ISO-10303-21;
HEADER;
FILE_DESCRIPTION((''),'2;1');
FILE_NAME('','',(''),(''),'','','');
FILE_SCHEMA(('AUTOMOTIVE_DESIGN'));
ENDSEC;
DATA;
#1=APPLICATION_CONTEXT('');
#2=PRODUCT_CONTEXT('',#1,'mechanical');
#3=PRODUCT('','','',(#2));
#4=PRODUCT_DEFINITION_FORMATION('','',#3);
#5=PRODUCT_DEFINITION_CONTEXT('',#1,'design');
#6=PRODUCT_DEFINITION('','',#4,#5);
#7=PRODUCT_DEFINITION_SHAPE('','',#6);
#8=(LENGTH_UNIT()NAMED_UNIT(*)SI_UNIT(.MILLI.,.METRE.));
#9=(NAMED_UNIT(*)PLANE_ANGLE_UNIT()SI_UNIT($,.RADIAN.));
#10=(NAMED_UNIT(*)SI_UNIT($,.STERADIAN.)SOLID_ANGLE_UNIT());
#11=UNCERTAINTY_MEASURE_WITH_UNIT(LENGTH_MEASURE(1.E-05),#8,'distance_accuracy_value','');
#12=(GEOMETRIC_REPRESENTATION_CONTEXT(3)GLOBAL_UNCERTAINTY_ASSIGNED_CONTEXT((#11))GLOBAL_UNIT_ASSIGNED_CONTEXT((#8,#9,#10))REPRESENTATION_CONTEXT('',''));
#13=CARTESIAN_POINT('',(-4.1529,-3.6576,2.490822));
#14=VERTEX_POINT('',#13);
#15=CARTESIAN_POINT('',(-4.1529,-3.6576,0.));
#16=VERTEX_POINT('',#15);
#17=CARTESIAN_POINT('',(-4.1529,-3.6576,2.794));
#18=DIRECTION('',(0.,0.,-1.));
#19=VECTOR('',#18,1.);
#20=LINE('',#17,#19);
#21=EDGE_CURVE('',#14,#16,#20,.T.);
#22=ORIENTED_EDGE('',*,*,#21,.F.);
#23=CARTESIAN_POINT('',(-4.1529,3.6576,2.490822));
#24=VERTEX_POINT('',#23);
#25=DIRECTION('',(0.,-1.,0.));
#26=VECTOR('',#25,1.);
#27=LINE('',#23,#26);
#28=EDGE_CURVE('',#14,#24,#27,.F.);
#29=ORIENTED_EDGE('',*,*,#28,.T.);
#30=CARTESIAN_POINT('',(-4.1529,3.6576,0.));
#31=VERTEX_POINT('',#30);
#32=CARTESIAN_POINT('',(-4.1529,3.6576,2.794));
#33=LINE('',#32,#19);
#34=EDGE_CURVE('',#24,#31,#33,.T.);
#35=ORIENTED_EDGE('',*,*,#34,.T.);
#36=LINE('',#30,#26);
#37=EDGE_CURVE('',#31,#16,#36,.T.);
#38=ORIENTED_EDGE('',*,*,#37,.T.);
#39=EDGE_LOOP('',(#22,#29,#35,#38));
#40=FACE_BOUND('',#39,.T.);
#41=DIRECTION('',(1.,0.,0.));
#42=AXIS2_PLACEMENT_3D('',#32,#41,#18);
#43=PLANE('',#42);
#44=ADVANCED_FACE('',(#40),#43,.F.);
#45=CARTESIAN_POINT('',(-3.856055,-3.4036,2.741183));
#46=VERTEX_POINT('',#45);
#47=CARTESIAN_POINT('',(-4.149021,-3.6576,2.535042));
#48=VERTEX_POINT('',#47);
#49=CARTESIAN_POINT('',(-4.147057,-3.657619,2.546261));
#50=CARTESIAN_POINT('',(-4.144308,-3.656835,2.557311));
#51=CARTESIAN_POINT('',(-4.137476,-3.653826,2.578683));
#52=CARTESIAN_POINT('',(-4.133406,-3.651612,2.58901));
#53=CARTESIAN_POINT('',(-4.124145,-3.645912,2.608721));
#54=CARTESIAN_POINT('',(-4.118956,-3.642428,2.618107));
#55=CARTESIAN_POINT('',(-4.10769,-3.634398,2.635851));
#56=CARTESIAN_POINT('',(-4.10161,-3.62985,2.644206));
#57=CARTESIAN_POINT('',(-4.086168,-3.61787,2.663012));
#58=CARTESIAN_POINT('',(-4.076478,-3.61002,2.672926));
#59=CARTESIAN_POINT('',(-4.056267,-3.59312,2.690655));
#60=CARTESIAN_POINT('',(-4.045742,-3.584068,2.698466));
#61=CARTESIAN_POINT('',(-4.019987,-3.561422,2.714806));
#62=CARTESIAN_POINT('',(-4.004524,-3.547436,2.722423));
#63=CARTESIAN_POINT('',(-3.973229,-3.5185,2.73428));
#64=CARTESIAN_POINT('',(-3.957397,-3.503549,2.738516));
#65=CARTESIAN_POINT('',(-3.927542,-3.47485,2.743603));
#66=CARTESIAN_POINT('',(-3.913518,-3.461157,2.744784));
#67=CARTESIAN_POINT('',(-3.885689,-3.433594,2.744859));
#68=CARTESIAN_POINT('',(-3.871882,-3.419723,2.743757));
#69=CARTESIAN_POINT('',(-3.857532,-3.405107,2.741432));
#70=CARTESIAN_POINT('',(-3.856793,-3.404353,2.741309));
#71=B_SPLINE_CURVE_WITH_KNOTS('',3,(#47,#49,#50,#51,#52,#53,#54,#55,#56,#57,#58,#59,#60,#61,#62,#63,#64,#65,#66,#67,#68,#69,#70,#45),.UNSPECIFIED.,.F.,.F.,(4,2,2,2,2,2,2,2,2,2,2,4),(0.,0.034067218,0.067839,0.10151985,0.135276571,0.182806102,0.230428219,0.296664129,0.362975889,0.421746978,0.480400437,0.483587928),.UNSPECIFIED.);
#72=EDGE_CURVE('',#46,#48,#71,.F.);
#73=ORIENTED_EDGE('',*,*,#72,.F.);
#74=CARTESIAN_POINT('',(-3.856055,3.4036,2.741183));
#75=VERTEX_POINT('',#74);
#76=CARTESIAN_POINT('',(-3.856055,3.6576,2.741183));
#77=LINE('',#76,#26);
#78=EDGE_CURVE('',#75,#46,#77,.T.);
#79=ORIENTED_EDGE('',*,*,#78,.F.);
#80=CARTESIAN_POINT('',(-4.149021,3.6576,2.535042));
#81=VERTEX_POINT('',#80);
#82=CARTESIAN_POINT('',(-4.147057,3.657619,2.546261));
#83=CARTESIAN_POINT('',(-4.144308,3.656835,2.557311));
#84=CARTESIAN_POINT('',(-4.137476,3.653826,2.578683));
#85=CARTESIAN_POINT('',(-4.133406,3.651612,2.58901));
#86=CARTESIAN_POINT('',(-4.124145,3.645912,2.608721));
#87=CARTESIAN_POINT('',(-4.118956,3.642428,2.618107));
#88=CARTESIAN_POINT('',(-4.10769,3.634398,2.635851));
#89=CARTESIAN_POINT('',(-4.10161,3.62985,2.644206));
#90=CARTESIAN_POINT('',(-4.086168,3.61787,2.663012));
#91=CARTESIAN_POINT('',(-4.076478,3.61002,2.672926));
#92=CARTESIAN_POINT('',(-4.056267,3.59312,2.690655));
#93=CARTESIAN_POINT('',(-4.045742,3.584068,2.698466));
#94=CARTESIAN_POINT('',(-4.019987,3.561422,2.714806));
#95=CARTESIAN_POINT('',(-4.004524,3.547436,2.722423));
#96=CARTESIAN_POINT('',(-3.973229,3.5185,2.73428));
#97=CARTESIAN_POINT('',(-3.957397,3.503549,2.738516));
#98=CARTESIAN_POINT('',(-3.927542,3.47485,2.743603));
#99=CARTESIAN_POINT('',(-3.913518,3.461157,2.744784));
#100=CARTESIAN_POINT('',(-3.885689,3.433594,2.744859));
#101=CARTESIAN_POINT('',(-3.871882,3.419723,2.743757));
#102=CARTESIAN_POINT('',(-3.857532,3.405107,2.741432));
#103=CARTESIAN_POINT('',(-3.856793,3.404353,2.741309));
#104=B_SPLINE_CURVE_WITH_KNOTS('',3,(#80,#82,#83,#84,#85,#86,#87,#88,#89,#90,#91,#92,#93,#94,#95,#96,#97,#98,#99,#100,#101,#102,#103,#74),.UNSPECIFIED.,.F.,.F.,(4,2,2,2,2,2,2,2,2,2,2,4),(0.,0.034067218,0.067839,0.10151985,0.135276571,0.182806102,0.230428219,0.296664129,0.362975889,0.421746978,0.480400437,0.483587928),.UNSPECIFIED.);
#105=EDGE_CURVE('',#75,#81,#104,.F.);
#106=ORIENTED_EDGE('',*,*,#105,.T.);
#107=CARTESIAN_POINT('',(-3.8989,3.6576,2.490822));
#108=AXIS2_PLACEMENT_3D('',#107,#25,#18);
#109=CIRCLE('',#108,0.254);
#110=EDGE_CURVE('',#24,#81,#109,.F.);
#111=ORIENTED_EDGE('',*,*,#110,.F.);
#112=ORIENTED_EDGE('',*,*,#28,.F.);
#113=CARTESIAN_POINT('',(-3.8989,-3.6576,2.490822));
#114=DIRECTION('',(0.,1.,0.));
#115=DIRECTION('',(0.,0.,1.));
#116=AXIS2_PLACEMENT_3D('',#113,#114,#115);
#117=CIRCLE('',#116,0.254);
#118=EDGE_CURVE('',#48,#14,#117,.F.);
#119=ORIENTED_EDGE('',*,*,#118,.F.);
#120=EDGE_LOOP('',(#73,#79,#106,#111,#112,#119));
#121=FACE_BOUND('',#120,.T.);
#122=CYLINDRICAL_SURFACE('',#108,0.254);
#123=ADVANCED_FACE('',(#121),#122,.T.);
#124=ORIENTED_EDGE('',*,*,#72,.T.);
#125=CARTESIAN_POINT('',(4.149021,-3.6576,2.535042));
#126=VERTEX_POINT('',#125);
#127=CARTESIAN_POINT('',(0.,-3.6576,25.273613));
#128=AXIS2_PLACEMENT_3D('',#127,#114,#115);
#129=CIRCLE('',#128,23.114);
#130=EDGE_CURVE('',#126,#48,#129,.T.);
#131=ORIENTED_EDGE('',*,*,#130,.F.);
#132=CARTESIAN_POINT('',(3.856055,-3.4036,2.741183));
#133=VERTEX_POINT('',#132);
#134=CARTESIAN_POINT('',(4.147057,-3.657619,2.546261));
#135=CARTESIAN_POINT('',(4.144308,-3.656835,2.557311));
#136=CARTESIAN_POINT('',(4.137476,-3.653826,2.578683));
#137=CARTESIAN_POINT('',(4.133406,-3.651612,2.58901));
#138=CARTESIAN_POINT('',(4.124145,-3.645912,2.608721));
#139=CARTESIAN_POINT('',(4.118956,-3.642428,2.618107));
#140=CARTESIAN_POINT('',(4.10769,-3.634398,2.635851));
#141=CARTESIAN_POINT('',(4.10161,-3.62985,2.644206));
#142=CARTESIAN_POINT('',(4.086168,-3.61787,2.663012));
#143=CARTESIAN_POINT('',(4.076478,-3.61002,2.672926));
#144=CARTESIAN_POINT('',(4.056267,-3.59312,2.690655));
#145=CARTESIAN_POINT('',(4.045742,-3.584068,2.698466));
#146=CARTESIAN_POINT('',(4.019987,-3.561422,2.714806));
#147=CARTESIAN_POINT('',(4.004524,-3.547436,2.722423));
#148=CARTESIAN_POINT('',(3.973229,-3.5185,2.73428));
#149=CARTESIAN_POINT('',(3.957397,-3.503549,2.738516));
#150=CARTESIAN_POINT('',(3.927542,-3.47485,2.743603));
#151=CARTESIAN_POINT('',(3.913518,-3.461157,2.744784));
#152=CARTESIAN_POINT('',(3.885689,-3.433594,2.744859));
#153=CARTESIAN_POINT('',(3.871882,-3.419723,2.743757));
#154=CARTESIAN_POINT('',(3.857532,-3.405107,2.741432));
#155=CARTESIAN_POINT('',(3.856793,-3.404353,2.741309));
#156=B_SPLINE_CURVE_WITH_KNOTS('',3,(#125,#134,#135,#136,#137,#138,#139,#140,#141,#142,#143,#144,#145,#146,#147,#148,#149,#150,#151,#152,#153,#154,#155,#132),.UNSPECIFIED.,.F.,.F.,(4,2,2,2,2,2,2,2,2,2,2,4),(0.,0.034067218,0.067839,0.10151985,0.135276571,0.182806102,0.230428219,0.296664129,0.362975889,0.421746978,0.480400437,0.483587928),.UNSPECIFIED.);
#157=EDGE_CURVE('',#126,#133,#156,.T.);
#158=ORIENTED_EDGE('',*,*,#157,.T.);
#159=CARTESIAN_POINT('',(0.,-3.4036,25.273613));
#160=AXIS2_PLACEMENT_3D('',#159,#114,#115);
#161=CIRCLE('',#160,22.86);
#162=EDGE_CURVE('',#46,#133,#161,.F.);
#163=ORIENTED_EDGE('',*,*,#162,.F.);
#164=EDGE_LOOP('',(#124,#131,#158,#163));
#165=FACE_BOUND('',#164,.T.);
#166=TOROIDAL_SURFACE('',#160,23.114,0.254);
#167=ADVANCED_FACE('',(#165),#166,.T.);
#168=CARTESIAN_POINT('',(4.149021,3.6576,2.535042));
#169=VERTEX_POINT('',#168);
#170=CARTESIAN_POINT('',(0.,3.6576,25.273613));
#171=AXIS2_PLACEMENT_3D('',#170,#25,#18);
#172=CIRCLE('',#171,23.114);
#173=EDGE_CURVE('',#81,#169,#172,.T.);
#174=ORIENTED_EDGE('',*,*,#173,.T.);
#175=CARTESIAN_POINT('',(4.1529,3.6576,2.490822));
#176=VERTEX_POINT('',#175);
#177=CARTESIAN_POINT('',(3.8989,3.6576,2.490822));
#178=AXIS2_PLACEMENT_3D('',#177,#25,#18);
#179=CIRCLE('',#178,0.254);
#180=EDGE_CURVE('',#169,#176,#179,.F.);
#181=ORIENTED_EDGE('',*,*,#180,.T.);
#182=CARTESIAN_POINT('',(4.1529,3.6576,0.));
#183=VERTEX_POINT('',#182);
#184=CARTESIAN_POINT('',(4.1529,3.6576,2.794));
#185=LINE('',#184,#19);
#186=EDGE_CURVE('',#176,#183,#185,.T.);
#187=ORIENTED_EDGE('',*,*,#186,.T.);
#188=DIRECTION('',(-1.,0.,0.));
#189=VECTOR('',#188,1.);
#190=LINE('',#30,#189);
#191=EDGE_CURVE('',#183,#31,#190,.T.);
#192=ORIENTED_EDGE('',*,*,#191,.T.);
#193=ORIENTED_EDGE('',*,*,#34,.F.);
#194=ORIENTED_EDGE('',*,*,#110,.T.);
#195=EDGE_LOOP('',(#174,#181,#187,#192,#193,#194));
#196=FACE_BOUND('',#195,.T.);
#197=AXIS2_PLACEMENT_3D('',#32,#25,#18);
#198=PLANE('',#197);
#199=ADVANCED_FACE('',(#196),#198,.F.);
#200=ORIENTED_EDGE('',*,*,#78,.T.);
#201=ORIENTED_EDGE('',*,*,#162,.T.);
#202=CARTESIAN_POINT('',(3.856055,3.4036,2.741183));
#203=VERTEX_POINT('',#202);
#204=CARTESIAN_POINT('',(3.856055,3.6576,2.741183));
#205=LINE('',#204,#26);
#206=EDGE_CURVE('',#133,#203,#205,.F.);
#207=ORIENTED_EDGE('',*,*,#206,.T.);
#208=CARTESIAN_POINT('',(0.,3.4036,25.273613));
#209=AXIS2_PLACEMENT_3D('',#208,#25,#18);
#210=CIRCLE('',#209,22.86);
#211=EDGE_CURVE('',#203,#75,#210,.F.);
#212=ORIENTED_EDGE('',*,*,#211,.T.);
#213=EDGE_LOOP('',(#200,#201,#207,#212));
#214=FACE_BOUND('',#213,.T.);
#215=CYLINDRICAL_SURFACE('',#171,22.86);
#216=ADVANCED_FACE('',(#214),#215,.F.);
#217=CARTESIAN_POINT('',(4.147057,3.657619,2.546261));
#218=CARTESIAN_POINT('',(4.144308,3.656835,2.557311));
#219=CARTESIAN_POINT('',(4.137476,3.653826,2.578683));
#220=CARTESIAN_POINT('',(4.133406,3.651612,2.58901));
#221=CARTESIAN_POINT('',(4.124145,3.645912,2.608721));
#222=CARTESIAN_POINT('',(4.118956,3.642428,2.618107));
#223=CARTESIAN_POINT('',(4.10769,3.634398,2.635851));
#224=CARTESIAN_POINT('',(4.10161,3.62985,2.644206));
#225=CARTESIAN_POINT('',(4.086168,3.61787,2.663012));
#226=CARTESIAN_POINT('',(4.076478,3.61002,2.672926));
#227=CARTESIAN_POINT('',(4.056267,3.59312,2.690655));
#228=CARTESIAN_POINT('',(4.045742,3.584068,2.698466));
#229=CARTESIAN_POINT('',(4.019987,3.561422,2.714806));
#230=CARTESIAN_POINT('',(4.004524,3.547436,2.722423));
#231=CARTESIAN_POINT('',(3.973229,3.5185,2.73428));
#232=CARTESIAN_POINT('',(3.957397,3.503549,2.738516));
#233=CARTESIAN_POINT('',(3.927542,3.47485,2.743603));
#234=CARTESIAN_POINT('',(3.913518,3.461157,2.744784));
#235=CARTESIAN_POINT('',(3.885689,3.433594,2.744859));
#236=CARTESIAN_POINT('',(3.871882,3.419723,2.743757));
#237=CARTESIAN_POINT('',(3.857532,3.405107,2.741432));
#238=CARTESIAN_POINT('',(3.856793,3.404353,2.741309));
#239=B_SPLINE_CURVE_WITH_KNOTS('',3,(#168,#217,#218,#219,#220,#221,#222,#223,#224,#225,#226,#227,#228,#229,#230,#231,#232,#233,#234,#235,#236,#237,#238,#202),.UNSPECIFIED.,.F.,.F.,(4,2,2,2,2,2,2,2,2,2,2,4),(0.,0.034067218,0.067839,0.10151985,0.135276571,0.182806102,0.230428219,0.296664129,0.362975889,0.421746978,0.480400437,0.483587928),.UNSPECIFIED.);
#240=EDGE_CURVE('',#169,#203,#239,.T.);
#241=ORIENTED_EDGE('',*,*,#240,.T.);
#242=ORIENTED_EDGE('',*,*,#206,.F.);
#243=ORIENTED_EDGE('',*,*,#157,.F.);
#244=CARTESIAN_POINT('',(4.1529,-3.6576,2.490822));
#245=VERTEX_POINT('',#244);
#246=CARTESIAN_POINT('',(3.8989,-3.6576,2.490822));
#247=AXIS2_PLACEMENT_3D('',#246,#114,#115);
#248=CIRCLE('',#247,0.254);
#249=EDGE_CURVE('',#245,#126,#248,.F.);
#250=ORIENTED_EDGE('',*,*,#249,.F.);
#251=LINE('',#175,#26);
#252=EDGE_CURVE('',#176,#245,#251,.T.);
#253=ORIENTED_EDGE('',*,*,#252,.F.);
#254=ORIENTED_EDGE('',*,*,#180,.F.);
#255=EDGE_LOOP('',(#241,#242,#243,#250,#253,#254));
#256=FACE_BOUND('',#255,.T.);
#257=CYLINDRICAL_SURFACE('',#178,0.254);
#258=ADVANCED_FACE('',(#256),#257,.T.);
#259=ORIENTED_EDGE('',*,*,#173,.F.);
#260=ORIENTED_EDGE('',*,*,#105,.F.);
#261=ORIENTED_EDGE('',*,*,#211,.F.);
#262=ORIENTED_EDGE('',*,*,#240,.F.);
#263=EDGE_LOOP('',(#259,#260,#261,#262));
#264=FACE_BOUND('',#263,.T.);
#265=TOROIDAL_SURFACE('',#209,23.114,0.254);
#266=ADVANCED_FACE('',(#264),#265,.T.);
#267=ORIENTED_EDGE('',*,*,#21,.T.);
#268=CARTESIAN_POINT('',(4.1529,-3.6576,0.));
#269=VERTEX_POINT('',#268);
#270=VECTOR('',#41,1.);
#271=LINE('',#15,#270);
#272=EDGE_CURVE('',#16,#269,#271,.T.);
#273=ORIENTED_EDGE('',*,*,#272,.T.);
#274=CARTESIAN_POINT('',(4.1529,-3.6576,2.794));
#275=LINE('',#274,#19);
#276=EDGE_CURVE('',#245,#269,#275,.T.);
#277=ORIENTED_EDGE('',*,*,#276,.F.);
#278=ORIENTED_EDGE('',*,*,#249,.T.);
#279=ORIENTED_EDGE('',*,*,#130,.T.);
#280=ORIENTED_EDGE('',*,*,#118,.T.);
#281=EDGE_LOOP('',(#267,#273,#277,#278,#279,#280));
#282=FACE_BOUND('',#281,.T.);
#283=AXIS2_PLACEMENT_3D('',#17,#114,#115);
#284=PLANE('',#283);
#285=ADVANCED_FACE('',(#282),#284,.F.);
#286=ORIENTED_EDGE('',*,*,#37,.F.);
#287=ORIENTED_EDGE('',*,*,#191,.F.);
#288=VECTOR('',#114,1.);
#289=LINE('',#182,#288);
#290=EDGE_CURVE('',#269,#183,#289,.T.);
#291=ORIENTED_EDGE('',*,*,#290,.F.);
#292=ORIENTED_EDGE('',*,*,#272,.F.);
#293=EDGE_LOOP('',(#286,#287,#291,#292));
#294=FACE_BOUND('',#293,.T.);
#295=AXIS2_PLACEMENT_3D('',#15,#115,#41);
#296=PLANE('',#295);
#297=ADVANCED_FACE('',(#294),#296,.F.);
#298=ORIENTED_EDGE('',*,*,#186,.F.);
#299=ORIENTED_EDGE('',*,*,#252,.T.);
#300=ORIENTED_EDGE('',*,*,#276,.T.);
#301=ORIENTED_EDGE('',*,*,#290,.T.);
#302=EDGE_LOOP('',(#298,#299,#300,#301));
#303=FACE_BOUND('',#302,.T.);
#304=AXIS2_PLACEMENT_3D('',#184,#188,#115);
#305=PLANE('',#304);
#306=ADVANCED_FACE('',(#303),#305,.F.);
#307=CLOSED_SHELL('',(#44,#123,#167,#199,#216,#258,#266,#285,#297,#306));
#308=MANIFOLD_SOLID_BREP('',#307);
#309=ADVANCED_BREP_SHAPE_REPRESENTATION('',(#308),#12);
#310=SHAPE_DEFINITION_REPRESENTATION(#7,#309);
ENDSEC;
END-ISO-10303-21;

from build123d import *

# Parameters (mm, degrees)
SKETCH1_W      = 8.3058
SKETCH1_H      = 7.3152
KEY_DEPTH      = 2.794
EXTRUDE2_DEPTH = 8.3152
FILLET1_R      = 0.254


with BuildPart() as part:
    # Sketch1 → key (new body)
    with BuildSketch(Plane.XY):
        Rectangle(SKETCH1_W, SKETCH1_H)
    extrude(amount=KEY_DEPTH)

    # Sketch2 → Extrude2 (cut, through all)
    with BuildSketch(Plane.XZ.offset(3.6576)):
        with BuildLine():
            ThreePointArc((-4.1529, 2.794), (0, 2.413613466), (4.1529, 2.794))
            Line((4.1529, 2.794), (-4.1529, 2.794))
        make_face()
    extrude(amount=-EXTRUDE2_DEPTH, mode=Mode.SUBTRACT)

    # Fillet1
    fillet1_edges = [part.edges().sort_by_distance(p)[0] for p in [
        (4.1529, 0, 2.794),
        (0, 3.6576, 2.413613466),
        (0, -3.6576, 2.413613466),
        (-4.1529, 0, 2.794),
    ]]
    fillet(fillet1_edges, radius=FILLET1_R)


solid = part.part
